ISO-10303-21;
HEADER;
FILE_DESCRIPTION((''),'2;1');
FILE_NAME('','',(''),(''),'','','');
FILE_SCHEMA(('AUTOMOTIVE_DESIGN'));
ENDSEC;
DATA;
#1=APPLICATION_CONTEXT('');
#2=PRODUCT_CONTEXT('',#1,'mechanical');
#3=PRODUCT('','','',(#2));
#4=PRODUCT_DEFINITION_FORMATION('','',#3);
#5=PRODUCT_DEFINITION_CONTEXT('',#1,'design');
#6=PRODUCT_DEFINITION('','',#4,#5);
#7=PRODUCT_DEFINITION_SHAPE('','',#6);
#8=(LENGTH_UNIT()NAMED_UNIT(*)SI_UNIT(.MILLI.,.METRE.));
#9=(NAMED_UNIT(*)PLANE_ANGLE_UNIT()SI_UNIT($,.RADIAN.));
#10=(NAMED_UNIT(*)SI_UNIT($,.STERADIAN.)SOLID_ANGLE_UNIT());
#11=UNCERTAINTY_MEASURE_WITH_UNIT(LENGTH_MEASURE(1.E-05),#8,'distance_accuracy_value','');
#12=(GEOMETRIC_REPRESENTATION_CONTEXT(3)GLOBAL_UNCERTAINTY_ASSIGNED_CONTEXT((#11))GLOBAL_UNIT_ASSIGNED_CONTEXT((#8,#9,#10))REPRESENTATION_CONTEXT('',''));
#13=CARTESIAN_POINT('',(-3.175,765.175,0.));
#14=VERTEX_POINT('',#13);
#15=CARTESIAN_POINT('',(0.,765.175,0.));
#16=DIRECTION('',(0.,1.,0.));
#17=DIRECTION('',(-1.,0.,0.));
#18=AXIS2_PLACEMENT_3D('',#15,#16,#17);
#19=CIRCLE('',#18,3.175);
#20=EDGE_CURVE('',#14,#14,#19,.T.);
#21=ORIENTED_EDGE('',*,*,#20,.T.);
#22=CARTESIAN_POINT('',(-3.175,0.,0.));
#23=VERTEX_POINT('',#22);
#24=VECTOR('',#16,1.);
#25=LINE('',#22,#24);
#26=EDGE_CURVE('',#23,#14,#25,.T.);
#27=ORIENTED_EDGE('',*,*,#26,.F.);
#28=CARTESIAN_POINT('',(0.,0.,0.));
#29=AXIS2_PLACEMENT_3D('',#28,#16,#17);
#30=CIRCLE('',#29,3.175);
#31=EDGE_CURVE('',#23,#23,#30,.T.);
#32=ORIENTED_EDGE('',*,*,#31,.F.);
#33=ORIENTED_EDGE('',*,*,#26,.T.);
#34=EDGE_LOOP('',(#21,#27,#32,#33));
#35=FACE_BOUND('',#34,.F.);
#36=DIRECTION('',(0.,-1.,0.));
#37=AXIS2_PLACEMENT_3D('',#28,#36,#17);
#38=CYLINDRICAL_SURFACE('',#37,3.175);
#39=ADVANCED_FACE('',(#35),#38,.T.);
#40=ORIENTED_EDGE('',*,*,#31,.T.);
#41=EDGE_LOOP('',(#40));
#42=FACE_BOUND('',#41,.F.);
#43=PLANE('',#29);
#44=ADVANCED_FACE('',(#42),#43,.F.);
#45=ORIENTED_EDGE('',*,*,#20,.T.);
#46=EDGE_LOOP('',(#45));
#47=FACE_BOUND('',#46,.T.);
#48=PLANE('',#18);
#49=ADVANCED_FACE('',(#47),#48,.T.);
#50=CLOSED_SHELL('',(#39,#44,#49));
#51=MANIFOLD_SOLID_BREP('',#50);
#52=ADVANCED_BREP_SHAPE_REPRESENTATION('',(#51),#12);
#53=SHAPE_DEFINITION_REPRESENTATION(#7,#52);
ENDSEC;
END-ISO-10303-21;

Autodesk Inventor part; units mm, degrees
ref_plane "YZ Plane" through (0, 0, 0) normal (1, 0, 0) x (0, 1, 0)
ref_plane "XZ Plane" through (0, 0, 0) normal (0, 1, 0) x (-1, 0, 0)
ref_plane "XY Plane" through (0, 0, 0) normal (0, 0, 1) x (1, 0, 0)
sketch "Sketch1" plane through (0, 0, 0) normal (0, 1, 0) x (-1, 0, 0)
  circle A0 centre (0, 0) radius 3.175
  dimension "d0" = 6.35
extrude "Extrusion1" add sketch "Sketch1" along normal blind 765.175
properties part number "VertRod"
